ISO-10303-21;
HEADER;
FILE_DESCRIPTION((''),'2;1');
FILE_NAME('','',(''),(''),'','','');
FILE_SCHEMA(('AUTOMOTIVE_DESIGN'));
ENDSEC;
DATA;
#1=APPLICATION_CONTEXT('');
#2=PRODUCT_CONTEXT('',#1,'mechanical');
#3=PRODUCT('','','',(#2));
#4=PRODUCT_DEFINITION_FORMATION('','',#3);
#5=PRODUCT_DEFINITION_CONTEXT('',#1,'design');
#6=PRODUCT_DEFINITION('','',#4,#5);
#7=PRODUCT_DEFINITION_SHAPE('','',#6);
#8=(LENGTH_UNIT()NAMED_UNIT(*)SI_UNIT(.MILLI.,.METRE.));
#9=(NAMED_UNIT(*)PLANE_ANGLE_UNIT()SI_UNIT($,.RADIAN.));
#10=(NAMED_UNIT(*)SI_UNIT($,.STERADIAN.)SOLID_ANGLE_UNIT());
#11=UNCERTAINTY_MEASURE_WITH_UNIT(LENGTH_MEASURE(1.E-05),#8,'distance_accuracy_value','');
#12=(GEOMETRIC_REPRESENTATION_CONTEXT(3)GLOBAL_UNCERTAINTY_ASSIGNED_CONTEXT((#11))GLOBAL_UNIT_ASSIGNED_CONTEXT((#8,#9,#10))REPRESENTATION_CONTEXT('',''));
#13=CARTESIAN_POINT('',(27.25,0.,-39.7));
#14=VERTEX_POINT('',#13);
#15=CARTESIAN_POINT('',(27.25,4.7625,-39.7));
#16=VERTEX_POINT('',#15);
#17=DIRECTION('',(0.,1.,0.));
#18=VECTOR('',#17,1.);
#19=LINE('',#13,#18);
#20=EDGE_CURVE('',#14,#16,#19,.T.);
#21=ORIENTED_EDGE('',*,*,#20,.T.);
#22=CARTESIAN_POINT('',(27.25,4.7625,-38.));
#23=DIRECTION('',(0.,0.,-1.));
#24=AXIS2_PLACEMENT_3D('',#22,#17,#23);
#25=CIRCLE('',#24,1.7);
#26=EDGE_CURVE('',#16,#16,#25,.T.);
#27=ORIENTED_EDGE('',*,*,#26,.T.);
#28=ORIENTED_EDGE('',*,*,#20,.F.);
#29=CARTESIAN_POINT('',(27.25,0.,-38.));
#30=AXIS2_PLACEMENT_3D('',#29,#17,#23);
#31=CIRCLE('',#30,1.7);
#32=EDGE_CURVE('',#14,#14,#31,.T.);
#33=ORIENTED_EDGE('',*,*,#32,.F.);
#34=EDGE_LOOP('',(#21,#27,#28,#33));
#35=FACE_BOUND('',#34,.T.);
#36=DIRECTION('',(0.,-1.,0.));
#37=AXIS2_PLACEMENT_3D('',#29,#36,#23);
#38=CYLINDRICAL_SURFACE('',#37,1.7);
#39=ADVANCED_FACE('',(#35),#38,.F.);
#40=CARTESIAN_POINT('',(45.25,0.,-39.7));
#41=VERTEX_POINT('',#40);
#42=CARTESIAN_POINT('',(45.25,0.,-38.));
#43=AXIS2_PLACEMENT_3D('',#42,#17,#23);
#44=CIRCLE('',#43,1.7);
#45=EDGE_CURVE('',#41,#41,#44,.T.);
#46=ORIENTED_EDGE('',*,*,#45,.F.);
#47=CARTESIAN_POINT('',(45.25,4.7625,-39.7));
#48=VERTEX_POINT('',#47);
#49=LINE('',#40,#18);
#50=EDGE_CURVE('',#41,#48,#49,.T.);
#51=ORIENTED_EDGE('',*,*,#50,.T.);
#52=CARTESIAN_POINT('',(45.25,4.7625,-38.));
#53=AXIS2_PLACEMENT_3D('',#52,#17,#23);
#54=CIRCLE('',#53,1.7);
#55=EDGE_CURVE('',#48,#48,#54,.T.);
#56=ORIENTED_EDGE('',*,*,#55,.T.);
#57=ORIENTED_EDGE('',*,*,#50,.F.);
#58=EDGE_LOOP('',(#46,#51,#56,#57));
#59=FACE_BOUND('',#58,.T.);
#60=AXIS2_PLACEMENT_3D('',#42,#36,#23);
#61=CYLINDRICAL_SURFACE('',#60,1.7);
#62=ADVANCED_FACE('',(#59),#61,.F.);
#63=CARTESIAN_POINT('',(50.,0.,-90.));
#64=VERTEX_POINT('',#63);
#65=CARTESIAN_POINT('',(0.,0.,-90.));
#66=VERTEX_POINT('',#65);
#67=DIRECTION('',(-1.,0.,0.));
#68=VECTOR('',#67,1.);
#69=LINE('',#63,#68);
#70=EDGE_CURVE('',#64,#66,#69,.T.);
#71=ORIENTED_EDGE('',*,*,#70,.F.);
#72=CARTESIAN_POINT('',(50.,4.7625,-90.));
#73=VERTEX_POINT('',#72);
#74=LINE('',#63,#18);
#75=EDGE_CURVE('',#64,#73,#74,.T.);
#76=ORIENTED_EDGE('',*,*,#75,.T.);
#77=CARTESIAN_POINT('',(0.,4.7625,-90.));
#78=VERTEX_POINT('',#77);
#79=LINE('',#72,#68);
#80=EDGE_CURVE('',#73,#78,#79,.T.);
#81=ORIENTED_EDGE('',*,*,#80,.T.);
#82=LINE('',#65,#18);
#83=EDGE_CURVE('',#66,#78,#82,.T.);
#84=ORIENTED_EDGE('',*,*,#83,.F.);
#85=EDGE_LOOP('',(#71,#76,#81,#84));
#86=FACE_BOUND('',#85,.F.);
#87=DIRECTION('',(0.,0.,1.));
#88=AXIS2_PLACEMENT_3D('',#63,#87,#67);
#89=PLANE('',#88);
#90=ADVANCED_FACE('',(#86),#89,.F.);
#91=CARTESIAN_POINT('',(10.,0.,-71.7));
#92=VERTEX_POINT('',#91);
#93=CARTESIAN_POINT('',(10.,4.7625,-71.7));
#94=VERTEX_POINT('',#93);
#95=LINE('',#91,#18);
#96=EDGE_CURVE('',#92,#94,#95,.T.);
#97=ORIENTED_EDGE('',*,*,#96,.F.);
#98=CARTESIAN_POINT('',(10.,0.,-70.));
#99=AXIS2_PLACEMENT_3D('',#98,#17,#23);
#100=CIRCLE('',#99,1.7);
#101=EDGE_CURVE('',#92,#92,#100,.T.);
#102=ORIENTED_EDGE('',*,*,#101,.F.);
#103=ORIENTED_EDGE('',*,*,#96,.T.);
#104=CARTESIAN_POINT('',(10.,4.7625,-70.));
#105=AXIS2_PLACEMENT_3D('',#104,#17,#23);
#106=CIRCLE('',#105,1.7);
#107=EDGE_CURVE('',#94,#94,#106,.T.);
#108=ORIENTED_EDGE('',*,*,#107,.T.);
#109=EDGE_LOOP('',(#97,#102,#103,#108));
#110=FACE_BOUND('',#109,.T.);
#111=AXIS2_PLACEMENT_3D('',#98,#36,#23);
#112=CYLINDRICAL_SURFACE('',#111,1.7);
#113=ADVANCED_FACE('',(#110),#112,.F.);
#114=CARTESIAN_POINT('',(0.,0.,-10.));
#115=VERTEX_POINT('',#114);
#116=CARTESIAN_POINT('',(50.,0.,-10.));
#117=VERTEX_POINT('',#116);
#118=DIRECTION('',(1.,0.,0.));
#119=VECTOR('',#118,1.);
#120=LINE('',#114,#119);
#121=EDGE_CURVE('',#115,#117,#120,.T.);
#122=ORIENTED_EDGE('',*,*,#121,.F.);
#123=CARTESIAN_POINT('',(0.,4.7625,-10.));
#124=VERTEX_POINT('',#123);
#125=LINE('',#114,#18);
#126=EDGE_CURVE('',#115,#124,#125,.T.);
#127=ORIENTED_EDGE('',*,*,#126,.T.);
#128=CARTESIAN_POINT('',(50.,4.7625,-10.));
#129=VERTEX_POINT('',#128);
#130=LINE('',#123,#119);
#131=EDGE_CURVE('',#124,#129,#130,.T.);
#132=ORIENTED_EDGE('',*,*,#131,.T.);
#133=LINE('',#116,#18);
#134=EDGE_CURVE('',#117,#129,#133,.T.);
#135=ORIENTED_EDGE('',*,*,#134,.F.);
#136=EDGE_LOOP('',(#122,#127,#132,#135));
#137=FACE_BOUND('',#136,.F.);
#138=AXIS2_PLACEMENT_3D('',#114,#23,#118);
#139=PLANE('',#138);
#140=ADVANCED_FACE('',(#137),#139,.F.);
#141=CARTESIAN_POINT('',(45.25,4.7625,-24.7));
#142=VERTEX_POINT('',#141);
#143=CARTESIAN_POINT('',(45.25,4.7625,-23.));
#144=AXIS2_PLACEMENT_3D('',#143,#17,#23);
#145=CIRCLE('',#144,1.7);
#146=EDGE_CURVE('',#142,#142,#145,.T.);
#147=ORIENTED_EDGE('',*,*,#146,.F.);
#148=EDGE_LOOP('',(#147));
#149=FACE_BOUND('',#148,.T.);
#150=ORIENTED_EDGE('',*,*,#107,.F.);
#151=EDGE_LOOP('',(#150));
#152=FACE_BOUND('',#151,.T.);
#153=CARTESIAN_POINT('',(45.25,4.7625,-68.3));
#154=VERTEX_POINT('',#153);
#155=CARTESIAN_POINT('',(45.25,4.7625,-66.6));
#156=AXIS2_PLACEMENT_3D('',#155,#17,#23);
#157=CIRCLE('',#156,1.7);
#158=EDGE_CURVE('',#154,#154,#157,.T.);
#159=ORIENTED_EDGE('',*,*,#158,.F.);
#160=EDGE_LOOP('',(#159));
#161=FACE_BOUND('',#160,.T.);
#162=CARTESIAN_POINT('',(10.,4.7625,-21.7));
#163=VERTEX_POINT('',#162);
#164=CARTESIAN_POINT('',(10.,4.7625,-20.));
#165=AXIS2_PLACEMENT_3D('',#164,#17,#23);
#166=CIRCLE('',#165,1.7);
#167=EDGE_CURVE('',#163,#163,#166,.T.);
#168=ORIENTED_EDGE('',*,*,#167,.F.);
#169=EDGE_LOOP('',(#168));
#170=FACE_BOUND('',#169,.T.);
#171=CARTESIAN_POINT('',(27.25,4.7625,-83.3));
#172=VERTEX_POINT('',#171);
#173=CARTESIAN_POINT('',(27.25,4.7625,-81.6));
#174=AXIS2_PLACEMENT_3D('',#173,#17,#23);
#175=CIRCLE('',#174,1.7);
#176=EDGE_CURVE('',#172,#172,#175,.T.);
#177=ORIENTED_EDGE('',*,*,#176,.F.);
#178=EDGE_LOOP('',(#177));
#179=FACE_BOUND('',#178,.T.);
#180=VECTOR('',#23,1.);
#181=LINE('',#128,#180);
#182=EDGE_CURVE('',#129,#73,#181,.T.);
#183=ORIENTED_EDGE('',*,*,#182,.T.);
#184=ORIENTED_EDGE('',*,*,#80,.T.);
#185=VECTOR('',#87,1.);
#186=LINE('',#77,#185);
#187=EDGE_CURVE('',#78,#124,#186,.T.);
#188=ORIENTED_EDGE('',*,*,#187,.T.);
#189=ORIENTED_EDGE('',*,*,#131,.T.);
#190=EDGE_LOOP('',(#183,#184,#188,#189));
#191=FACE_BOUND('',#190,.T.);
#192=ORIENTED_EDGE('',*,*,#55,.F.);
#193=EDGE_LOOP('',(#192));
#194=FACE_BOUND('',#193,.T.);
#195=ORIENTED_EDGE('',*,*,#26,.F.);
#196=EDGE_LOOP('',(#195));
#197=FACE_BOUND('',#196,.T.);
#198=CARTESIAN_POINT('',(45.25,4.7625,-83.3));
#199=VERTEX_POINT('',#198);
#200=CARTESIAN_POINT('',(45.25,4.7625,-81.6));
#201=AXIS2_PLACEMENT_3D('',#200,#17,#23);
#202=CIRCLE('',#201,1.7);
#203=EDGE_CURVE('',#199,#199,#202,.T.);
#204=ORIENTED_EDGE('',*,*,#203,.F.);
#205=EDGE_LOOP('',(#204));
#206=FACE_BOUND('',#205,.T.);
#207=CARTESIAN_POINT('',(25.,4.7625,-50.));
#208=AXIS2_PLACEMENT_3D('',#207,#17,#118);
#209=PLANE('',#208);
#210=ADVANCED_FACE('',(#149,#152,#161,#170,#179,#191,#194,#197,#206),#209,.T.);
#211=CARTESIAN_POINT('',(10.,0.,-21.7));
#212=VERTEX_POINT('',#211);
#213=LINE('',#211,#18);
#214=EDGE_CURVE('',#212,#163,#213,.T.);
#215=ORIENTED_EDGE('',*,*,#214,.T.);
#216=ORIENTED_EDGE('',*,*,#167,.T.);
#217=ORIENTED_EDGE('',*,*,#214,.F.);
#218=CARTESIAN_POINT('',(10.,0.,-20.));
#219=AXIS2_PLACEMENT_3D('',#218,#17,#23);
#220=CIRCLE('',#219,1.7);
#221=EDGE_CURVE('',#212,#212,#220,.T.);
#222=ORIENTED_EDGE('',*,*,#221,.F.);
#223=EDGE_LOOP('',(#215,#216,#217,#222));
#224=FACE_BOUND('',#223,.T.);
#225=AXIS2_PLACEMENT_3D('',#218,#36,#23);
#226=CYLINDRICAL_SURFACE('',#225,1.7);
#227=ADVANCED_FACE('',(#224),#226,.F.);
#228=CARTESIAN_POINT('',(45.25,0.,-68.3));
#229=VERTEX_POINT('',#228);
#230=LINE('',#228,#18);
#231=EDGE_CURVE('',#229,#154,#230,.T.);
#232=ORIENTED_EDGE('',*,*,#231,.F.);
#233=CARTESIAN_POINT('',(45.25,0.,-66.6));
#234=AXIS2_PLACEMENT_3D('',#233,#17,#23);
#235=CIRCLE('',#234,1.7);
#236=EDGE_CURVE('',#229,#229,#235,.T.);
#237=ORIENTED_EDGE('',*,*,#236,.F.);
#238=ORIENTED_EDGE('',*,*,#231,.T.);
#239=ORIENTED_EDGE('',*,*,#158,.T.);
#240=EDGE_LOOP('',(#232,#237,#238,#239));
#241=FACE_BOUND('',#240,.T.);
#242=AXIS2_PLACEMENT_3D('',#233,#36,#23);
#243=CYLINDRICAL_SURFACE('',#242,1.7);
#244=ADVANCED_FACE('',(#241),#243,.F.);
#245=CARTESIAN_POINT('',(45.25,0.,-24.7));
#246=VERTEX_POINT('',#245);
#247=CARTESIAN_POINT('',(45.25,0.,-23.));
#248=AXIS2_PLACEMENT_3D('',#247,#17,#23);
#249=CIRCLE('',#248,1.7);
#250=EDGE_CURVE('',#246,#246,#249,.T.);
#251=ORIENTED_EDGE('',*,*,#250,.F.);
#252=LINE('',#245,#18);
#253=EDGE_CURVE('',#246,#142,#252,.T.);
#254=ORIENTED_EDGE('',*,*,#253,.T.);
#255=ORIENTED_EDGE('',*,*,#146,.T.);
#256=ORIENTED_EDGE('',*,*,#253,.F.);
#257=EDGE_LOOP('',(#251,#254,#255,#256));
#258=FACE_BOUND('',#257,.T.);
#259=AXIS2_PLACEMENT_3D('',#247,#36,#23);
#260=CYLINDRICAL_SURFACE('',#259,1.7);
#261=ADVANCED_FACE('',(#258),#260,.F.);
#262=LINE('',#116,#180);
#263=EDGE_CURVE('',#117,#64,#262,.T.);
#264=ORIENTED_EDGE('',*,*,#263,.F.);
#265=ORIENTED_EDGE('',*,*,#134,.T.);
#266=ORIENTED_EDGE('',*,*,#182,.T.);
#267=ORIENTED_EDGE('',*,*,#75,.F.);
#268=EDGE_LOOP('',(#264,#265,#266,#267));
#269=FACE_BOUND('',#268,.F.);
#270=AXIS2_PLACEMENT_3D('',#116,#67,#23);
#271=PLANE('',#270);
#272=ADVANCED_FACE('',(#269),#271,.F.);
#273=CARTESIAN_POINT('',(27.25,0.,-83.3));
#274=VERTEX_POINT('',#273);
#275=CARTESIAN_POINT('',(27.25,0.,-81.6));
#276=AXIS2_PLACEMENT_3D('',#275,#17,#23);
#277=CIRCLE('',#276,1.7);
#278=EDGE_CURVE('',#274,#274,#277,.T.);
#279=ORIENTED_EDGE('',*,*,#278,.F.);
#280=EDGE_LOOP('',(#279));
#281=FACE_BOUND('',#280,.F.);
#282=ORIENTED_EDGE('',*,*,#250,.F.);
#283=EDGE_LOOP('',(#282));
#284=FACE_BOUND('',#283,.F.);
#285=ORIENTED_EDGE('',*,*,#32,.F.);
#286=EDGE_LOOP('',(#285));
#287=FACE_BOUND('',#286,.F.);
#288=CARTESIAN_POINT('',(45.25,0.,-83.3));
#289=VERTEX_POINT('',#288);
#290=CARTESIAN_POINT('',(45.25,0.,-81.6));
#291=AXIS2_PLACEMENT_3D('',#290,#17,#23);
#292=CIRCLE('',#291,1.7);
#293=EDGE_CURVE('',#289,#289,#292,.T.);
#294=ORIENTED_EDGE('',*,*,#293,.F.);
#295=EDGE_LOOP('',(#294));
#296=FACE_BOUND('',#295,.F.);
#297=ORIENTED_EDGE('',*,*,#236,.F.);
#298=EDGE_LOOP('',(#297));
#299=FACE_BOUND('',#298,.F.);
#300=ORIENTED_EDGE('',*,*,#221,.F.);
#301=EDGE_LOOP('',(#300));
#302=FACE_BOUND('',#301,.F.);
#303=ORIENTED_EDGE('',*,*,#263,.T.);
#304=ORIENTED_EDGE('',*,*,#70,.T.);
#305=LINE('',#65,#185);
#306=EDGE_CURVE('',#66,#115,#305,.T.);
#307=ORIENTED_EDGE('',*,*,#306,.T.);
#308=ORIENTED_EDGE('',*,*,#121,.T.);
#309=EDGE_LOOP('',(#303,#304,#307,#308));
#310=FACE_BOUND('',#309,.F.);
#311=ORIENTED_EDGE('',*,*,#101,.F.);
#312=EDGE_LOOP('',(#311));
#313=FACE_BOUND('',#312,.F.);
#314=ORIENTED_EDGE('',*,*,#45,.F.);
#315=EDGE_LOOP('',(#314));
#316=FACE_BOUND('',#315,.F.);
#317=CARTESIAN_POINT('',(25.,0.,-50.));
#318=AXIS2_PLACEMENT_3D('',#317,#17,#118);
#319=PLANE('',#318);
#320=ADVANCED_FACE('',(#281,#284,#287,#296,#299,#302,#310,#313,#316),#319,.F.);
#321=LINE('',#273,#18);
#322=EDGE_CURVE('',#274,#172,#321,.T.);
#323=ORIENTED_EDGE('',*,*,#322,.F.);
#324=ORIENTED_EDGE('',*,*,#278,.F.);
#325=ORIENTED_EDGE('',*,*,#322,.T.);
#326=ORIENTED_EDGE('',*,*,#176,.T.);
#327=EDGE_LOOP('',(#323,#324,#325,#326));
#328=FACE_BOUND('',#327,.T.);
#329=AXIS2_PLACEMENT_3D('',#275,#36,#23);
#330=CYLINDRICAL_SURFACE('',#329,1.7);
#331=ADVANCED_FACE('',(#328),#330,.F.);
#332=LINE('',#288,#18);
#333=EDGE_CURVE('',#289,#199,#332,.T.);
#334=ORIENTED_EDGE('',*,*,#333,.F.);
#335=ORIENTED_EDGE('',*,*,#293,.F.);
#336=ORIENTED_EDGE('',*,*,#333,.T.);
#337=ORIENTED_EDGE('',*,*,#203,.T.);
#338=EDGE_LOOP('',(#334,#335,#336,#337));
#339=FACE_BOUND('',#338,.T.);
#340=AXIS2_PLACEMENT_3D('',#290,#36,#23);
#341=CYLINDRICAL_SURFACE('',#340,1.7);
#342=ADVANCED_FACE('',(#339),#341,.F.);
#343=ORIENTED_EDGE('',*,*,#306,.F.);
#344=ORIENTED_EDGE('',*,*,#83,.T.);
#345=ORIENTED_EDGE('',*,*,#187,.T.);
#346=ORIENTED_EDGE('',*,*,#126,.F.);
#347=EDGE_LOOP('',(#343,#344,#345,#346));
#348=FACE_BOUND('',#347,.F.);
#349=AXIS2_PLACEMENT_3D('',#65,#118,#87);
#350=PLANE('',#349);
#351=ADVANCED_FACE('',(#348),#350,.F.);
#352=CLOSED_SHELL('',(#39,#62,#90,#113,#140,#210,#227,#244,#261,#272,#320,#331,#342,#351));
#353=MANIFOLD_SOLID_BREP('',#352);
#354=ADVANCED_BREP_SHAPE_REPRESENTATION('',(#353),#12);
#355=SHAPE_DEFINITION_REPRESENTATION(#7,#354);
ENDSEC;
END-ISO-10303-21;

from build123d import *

# Parameters (mm, degrees)
SKETCH1_R           = 1.7
BOSS_EXTRUDE1_DEPTH = 4.7625


with BuildPart() as part:
    # Sketch1 → Boss-Extrude1 (new body)
    with BuildSketch(Plane(origin=(0, 0, 0), x_dir=(1, 0, 0), z_dir=(0, 1, 0))):
        Polygon((0, 90), (0, 10), (20, 10), (50, 10), (50, 90), align=None)
        with Locations(Location((10, 20, 0), (0, 0, 90))):
            Circle(SKETCH1_R, mode=Mode.SUBTRACT)
        with Locations(Location((27.25, 38, 0), (0, 0, 90))):
            Circle(SKETCH1_R, mode=Mode.SUBTRACT)
        with Locations(Location((45.25, 23, 0), (0, 0, 90))):
            Circle(SKETCH1_R, mode=Mode.SUBTRACT)
        with Locations(Location((45.25, 38, 0), (0, 0, 90))):
            Circle(SKETCH1_R, mode=Mode.SUBTRACT)
        with Locations(Location((10, 70, 0), (0, 0, 90))):
            Circle(SKETCH1_R, mode=Mode.SUBTRACT)
        with Locations(Location((45.25, 66.6, 0), (0, 0, 90))):
            Circle(SKETCH1_R, mode=Mode.SUBTRACT)
        with Locations(Location((27.25, 81.6, 0), (0, 0, 90))):
            Circle(SKETCH1_R, mode=Mode.SUBTRACT)
        with Locations(Location((45.25, 81.6, 0), (0, 0, 90))):
            Circle(SKETCH1_R, mode=Mode.SUBTRACT)
    extrude(amount=BOSS_EXTRUDE1_DEPTH)


solid = part.part
